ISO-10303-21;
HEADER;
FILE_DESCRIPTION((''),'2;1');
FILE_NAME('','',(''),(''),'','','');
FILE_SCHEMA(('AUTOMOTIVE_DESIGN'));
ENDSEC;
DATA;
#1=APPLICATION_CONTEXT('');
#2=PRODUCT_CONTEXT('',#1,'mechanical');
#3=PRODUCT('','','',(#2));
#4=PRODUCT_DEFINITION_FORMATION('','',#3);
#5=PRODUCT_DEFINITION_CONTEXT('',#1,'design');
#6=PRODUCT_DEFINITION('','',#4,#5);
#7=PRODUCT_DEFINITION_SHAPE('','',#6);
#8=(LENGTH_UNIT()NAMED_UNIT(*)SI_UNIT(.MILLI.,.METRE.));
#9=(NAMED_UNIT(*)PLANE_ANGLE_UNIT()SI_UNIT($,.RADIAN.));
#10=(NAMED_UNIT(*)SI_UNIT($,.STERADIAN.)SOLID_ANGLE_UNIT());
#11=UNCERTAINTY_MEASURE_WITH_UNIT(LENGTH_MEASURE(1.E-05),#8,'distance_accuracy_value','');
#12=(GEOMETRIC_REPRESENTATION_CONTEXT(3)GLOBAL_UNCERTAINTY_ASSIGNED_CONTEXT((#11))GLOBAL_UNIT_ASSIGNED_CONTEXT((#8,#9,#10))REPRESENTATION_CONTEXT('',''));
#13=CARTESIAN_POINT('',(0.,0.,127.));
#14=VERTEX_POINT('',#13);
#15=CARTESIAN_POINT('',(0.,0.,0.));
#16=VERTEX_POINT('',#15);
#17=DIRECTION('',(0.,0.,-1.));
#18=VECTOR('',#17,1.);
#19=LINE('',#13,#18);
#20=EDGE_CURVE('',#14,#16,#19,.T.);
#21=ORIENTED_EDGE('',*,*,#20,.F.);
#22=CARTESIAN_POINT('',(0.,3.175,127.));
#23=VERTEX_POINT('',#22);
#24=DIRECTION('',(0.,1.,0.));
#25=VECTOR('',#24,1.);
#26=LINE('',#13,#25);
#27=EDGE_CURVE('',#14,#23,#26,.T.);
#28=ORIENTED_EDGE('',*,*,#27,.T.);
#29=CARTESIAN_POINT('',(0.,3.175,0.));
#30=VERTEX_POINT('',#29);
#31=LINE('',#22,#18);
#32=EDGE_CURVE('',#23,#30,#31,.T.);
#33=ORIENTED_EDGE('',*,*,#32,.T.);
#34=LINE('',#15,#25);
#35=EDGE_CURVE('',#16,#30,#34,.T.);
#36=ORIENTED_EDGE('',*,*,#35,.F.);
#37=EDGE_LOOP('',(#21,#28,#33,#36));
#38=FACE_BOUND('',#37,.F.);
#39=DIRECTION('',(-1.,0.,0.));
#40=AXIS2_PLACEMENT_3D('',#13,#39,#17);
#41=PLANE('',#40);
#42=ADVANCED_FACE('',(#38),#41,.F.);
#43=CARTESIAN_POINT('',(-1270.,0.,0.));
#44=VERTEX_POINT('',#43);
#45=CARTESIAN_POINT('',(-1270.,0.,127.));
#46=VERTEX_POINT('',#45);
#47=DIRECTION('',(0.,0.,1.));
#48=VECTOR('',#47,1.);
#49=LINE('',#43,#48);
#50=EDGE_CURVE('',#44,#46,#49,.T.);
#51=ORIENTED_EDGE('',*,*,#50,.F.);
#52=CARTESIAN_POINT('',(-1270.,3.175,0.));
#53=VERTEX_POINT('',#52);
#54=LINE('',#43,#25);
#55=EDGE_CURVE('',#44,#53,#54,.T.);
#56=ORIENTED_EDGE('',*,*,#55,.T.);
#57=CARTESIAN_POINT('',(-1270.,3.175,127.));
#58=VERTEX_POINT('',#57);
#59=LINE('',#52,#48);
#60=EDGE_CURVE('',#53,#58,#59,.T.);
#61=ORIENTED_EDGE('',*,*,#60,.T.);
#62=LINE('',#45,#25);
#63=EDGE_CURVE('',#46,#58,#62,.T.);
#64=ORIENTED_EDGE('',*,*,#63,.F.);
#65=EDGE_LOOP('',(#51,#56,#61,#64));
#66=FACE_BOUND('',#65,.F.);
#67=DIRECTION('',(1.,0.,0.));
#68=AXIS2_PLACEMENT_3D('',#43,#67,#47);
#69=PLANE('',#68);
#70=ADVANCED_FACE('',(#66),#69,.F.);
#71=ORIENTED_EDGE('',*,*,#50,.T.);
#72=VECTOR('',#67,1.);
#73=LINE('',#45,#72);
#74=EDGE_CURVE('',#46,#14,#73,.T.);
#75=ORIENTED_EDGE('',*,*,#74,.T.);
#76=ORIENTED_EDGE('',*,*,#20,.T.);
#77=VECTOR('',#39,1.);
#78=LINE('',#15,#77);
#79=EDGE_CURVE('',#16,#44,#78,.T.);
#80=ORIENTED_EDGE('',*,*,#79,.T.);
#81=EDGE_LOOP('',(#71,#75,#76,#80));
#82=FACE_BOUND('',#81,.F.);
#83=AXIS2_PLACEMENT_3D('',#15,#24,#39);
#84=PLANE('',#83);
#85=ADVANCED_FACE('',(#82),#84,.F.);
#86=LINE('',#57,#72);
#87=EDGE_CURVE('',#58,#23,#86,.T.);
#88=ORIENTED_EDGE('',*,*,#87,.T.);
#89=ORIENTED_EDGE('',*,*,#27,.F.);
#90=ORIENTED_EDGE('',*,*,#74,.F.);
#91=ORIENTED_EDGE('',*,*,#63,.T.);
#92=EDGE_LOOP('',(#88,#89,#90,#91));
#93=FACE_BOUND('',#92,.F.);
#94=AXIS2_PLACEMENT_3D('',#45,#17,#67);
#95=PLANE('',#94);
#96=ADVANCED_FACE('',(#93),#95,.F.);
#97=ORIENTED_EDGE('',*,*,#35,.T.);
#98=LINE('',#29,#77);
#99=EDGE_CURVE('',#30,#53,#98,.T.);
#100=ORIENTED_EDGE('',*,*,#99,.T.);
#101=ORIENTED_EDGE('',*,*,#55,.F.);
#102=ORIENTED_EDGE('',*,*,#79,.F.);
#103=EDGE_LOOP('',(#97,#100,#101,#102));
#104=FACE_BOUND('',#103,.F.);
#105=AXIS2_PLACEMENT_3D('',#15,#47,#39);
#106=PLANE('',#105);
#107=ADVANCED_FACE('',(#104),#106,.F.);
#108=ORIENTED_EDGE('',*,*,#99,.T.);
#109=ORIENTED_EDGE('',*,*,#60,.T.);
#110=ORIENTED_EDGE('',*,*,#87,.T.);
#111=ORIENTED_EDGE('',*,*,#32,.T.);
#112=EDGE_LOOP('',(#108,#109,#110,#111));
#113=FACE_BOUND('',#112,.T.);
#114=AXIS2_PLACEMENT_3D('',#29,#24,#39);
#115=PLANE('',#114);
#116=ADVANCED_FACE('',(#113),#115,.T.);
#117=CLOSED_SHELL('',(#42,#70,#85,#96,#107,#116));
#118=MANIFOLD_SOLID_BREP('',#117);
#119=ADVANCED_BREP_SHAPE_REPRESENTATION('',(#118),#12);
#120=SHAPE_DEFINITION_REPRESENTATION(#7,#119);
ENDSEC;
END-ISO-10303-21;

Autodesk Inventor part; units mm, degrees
ref_plane "YZ Plane" through (0, 0, 0) normal (1, 0, 0) x (0, 1, 0)
ref_plane "XZ Plane" through (0, 0, 0) normal (0, 1, 0) x (-1, 0, 0)
ref_plane "XY Plane" through (0, 0, 0) normal (0, 0, 1) x (1, 0, 0)
sketch "Sketch1" plane through (0, 0, 0) normal (0, 1, 0) x (-1, 0, 0)
  line L0 (0, 0) -> (1270, 0)
  line L1 (1270, 0) -> (1270, 127)
  line L2 (1270, 127) -> (0, 127)
  line L3 (0, 127) -> (0, 0)
  dimension "d0" = 1270
  dimension "d1" = 127
extrude "Extrusion1" add sketch "Sketch1" along normal blind 3.175
properties part number "gantryPlate"
